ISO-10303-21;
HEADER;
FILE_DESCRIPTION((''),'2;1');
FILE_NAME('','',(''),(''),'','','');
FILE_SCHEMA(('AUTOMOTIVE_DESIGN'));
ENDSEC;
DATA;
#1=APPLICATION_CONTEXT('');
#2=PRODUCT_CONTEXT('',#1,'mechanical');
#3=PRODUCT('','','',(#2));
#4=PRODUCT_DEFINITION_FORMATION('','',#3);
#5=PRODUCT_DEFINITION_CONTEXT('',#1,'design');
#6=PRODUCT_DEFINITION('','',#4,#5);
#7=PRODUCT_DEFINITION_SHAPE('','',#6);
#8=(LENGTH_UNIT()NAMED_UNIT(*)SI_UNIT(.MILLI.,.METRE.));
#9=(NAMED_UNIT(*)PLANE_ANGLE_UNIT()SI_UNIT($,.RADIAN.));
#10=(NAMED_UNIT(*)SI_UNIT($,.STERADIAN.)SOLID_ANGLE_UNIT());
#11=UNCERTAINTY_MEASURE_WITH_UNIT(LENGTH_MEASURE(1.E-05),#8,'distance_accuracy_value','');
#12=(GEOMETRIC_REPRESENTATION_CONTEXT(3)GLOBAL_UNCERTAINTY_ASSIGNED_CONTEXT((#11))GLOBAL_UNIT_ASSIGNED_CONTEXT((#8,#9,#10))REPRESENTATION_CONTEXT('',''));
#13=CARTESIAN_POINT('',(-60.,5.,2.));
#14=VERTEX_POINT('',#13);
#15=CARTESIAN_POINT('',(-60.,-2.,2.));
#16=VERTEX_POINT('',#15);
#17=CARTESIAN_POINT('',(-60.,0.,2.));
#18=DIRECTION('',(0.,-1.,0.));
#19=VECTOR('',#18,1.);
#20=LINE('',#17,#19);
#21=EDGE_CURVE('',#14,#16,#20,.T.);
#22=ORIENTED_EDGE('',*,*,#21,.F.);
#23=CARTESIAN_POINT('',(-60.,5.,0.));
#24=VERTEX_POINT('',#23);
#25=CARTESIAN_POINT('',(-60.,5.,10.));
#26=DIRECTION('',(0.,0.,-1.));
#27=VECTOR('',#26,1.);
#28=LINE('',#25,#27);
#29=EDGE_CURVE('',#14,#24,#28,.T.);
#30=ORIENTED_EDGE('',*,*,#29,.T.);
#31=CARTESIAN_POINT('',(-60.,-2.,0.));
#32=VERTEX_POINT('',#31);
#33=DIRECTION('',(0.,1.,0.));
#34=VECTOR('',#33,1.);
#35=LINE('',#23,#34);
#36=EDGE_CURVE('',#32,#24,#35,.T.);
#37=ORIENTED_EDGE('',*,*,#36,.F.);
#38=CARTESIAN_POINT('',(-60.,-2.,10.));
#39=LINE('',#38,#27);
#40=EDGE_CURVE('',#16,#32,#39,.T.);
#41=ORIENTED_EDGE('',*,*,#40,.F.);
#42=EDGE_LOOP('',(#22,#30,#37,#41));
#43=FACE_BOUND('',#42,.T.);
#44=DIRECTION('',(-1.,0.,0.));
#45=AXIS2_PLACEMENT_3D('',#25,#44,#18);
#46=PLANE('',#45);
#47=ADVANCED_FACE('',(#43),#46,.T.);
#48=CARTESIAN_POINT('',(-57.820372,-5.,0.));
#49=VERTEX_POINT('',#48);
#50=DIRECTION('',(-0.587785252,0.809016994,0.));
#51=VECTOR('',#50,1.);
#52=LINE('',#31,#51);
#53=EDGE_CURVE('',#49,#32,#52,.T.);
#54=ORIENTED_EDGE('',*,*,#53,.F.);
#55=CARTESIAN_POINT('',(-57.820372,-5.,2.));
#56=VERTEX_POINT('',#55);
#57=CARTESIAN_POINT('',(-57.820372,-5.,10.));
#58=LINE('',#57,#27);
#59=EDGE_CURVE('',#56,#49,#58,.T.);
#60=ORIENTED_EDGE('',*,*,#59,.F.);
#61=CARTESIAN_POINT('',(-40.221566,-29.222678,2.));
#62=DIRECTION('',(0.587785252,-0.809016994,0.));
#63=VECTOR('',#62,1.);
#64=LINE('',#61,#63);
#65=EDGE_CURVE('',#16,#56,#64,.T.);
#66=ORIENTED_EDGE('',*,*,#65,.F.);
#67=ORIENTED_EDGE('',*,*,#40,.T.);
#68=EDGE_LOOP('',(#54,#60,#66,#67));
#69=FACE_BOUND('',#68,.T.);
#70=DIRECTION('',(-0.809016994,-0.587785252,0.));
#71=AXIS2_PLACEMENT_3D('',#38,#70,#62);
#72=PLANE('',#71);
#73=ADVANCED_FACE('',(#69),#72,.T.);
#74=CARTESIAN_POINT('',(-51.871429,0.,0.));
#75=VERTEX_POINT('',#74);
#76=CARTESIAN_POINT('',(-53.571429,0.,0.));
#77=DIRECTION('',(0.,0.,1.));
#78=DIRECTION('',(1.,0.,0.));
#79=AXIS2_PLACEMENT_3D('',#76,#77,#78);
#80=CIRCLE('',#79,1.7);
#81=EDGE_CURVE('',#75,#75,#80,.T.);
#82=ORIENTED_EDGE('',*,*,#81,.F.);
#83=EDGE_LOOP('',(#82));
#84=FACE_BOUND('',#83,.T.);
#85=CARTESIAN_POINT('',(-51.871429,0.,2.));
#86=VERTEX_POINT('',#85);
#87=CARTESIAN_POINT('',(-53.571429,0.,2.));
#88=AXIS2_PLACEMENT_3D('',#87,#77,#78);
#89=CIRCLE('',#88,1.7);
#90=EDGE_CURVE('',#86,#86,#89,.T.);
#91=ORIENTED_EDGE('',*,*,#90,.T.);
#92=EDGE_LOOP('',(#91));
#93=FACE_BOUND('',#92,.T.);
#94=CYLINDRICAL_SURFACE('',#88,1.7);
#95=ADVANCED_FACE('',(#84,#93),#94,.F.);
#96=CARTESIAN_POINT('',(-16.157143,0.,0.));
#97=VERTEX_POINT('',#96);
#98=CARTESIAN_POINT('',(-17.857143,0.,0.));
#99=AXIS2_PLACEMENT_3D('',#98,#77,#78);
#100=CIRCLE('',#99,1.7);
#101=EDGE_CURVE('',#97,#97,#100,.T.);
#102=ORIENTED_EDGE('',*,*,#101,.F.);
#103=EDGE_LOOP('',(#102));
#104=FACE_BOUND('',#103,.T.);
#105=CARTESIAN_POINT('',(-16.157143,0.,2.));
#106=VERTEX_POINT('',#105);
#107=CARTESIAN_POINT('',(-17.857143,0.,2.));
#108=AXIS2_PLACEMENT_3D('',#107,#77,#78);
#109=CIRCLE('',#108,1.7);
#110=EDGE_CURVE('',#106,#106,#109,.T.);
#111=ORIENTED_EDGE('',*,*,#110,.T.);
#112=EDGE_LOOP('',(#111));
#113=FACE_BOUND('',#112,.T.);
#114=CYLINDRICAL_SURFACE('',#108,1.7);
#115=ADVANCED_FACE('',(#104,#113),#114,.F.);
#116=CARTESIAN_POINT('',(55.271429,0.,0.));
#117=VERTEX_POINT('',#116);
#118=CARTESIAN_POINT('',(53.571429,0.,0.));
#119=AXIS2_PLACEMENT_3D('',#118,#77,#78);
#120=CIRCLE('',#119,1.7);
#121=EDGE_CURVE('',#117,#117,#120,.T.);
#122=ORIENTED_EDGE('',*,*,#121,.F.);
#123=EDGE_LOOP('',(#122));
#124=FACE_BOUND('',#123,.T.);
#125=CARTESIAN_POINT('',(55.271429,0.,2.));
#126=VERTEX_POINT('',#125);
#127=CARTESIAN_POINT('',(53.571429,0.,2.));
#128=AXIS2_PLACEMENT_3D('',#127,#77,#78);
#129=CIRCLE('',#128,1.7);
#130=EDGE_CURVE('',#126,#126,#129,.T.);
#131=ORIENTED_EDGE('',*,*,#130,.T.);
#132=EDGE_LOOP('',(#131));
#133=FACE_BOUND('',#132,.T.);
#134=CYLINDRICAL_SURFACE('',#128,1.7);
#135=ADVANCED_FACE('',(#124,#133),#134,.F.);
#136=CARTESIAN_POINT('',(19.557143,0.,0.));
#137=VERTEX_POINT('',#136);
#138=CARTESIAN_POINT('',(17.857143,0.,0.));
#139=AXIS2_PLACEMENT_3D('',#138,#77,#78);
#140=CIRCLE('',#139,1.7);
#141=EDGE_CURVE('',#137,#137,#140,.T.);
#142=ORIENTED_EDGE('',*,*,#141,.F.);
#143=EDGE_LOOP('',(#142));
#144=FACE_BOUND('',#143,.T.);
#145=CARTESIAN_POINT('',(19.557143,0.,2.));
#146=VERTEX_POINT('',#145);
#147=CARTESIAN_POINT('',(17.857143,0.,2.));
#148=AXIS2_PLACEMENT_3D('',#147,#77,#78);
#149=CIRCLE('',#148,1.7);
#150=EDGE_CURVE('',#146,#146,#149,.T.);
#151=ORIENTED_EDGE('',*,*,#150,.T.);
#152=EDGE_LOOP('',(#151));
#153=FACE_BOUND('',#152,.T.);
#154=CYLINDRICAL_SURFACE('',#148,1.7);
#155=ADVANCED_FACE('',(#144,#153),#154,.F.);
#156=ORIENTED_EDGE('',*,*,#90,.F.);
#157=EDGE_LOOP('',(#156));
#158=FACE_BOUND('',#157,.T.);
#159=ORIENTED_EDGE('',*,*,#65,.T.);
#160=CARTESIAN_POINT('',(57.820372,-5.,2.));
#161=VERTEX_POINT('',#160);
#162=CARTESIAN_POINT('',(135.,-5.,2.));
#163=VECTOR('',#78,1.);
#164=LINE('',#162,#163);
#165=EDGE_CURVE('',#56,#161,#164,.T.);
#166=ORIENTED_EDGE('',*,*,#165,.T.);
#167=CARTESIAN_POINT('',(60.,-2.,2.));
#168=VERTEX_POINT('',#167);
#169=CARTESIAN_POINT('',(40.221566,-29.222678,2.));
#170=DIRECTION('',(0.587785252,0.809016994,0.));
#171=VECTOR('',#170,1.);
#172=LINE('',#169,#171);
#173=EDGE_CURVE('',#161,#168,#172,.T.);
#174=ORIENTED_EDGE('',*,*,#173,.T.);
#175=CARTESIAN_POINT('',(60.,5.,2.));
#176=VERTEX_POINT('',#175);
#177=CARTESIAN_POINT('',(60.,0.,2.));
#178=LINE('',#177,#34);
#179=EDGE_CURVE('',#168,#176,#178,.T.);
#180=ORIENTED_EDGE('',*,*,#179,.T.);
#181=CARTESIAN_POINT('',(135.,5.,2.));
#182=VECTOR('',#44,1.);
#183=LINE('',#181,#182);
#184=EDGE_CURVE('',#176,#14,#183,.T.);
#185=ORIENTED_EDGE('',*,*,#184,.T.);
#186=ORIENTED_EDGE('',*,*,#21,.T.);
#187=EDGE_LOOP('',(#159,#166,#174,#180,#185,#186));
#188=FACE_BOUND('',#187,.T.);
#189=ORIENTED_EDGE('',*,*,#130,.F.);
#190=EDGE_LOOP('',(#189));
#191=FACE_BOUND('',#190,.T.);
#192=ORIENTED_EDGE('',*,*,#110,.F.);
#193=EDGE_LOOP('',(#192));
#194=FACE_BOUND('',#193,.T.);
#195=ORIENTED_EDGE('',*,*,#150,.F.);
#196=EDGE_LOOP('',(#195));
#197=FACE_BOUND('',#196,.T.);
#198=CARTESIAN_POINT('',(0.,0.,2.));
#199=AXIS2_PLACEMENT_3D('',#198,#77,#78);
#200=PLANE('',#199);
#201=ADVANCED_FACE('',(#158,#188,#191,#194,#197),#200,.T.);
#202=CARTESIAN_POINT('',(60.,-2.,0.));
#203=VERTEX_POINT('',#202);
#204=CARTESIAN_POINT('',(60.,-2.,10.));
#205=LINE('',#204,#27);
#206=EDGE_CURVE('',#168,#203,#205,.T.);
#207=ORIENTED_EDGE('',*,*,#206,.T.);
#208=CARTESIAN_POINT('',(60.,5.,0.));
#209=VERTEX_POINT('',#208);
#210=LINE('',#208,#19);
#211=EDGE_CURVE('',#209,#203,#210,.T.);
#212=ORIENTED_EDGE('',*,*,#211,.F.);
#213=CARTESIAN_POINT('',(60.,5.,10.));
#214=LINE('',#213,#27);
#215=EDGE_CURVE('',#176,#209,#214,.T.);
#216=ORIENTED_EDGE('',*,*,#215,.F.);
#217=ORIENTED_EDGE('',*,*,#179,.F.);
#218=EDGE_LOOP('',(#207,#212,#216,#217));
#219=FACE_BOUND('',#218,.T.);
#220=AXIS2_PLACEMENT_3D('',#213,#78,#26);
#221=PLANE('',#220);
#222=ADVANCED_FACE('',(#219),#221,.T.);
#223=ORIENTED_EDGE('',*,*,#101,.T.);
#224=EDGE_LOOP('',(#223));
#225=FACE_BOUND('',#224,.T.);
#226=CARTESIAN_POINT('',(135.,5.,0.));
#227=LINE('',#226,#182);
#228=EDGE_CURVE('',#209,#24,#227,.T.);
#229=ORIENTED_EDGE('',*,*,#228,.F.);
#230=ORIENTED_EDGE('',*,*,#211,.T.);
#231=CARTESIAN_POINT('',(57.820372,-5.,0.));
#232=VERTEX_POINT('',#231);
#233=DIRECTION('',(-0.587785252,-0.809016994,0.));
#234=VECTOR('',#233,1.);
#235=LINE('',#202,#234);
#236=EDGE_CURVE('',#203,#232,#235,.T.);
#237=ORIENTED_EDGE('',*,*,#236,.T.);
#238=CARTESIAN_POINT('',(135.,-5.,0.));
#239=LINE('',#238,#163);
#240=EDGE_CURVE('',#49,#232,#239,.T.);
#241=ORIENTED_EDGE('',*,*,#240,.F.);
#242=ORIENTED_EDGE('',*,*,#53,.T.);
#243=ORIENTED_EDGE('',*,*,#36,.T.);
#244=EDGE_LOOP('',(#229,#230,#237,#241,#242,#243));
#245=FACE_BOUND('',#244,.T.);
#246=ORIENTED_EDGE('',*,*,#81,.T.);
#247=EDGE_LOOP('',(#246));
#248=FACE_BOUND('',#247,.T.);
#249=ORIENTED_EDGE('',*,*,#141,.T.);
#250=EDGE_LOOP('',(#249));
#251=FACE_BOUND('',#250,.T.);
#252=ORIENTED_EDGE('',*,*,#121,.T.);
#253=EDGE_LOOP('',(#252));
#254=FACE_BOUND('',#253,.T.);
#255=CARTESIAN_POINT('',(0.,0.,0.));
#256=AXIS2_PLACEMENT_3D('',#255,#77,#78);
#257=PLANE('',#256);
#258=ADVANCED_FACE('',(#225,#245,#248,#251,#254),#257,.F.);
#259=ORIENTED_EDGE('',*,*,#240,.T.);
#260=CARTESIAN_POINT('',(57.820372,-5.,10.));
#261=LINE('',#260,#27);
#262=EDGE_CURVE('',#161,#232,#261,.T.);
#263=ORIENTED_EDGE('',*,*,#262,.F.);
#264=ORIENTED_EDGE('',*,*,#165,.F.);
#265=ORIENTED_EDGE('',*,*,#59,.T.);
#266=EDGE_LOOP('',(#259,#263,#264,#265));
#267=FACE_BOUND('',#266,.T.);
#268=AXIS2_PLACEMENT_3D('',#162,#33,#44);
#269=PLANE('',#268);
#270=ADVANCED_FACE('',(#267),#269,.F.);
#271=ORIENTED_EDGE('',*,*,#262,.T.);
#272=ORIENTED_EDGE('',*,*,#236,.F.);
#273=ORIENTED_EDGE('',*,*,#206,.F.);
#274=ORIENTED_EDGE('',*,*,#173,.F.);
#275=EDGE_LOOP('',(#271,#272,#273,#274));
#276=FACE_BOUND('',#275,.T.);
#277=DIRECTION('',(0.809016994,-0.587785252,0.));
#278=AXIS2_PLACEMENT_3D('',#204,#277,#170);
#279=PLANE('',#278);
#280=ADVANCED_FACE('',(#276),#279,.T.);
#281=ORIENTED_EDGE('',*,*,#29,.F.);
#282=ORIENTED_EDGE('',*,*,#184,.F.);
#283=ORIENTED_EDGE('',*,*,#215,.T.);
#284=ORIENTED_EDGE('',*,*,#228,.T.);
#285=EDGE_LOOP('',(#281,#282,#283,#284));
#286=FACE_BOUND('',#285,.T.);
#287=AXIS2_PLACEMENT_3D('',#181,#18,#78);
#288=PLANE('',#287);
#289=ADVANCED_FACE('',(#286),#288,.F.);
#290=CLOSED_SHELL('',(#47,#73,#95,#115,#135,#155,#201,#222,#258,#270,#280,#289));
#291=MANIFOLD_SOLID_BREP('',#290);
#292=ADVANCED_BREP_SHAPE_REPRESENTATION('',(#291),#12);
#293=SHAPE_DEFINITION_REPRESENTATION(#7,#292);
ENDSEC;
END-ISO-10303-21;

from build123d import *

# Parameters (mm, degrees)
SKETCH1_W               = 270
SKETCH1_H               = 10
BOSS_EXTRUDE1_DEPTH     = 2
CHAMFER1_SIZE           = 2
M3_CLEARANCE_HOLE1_D    = 3.4
LPATTERN1_COUNT         = 8
LPATTERN1_PITCH         = 35.714285714
CUT_EXTRUDE_THIN1_DEPTH = 10


with BuildPart() as part:
    # Sketch1 → Boss-Extrude1 (new body)
    with BuildSketch(Plane.XY):
        Rectangle(SKETCH1_W, SKETCH1_H)
    extrude(amount=BOSS_EXTRUDE1_DEPTH)

    # Chamfer1
    chamfer1_edges = [part.edges().sort_by_distance(p)[0] for p in [
        (135, -5, 1),
        (-135, -5, 1),
    ]]
    chamfer(chamfer1_edges, length=CHAMFER1_SIZE)

    # M3 Clearance Hole1 (through all)
    with Locations(Plane.XY.offset(2)):
        with Locations((125, 0)):
            m3_clearance_hole1 = Hole(M3_CLEARANCE_HOLE1_D / 2)

    # LPattern1: M3 Clearance Hole1 ×8
    with Locations(*[(-i * LPATTERN1_PITCH, 0, 0) for i in range(1, LPATTERN1_COUNT)]):
        add(m3_clearance_hole1, mode=Mode.SUBTRACT)

    # Sketch4 → Cut-Extrude-Thin1 (cut)
    with BuildSketch(Plane(origin=(0, 0, 0), x_dir=(-1, 0, 0), z_dir=(0, 0, -1))):
        Polygon((160, 105), (-160, 105), (-160, -34.491969623), (-108.772917365, -105), (108.772917365, -105), (160, -34.491969623), align=None)
        Polygon((60, 5), (-60, 5), (-60, -2), (-57.820372416, -5), (57.820372416, -5), (60, -2), align=None, mode=Mode.SUBTRACT)
    extrude(amount=-CUT_EXTRUDE_THIN1_DEPTH, mode=Mode.SUBTRACT)


solid = part.part
